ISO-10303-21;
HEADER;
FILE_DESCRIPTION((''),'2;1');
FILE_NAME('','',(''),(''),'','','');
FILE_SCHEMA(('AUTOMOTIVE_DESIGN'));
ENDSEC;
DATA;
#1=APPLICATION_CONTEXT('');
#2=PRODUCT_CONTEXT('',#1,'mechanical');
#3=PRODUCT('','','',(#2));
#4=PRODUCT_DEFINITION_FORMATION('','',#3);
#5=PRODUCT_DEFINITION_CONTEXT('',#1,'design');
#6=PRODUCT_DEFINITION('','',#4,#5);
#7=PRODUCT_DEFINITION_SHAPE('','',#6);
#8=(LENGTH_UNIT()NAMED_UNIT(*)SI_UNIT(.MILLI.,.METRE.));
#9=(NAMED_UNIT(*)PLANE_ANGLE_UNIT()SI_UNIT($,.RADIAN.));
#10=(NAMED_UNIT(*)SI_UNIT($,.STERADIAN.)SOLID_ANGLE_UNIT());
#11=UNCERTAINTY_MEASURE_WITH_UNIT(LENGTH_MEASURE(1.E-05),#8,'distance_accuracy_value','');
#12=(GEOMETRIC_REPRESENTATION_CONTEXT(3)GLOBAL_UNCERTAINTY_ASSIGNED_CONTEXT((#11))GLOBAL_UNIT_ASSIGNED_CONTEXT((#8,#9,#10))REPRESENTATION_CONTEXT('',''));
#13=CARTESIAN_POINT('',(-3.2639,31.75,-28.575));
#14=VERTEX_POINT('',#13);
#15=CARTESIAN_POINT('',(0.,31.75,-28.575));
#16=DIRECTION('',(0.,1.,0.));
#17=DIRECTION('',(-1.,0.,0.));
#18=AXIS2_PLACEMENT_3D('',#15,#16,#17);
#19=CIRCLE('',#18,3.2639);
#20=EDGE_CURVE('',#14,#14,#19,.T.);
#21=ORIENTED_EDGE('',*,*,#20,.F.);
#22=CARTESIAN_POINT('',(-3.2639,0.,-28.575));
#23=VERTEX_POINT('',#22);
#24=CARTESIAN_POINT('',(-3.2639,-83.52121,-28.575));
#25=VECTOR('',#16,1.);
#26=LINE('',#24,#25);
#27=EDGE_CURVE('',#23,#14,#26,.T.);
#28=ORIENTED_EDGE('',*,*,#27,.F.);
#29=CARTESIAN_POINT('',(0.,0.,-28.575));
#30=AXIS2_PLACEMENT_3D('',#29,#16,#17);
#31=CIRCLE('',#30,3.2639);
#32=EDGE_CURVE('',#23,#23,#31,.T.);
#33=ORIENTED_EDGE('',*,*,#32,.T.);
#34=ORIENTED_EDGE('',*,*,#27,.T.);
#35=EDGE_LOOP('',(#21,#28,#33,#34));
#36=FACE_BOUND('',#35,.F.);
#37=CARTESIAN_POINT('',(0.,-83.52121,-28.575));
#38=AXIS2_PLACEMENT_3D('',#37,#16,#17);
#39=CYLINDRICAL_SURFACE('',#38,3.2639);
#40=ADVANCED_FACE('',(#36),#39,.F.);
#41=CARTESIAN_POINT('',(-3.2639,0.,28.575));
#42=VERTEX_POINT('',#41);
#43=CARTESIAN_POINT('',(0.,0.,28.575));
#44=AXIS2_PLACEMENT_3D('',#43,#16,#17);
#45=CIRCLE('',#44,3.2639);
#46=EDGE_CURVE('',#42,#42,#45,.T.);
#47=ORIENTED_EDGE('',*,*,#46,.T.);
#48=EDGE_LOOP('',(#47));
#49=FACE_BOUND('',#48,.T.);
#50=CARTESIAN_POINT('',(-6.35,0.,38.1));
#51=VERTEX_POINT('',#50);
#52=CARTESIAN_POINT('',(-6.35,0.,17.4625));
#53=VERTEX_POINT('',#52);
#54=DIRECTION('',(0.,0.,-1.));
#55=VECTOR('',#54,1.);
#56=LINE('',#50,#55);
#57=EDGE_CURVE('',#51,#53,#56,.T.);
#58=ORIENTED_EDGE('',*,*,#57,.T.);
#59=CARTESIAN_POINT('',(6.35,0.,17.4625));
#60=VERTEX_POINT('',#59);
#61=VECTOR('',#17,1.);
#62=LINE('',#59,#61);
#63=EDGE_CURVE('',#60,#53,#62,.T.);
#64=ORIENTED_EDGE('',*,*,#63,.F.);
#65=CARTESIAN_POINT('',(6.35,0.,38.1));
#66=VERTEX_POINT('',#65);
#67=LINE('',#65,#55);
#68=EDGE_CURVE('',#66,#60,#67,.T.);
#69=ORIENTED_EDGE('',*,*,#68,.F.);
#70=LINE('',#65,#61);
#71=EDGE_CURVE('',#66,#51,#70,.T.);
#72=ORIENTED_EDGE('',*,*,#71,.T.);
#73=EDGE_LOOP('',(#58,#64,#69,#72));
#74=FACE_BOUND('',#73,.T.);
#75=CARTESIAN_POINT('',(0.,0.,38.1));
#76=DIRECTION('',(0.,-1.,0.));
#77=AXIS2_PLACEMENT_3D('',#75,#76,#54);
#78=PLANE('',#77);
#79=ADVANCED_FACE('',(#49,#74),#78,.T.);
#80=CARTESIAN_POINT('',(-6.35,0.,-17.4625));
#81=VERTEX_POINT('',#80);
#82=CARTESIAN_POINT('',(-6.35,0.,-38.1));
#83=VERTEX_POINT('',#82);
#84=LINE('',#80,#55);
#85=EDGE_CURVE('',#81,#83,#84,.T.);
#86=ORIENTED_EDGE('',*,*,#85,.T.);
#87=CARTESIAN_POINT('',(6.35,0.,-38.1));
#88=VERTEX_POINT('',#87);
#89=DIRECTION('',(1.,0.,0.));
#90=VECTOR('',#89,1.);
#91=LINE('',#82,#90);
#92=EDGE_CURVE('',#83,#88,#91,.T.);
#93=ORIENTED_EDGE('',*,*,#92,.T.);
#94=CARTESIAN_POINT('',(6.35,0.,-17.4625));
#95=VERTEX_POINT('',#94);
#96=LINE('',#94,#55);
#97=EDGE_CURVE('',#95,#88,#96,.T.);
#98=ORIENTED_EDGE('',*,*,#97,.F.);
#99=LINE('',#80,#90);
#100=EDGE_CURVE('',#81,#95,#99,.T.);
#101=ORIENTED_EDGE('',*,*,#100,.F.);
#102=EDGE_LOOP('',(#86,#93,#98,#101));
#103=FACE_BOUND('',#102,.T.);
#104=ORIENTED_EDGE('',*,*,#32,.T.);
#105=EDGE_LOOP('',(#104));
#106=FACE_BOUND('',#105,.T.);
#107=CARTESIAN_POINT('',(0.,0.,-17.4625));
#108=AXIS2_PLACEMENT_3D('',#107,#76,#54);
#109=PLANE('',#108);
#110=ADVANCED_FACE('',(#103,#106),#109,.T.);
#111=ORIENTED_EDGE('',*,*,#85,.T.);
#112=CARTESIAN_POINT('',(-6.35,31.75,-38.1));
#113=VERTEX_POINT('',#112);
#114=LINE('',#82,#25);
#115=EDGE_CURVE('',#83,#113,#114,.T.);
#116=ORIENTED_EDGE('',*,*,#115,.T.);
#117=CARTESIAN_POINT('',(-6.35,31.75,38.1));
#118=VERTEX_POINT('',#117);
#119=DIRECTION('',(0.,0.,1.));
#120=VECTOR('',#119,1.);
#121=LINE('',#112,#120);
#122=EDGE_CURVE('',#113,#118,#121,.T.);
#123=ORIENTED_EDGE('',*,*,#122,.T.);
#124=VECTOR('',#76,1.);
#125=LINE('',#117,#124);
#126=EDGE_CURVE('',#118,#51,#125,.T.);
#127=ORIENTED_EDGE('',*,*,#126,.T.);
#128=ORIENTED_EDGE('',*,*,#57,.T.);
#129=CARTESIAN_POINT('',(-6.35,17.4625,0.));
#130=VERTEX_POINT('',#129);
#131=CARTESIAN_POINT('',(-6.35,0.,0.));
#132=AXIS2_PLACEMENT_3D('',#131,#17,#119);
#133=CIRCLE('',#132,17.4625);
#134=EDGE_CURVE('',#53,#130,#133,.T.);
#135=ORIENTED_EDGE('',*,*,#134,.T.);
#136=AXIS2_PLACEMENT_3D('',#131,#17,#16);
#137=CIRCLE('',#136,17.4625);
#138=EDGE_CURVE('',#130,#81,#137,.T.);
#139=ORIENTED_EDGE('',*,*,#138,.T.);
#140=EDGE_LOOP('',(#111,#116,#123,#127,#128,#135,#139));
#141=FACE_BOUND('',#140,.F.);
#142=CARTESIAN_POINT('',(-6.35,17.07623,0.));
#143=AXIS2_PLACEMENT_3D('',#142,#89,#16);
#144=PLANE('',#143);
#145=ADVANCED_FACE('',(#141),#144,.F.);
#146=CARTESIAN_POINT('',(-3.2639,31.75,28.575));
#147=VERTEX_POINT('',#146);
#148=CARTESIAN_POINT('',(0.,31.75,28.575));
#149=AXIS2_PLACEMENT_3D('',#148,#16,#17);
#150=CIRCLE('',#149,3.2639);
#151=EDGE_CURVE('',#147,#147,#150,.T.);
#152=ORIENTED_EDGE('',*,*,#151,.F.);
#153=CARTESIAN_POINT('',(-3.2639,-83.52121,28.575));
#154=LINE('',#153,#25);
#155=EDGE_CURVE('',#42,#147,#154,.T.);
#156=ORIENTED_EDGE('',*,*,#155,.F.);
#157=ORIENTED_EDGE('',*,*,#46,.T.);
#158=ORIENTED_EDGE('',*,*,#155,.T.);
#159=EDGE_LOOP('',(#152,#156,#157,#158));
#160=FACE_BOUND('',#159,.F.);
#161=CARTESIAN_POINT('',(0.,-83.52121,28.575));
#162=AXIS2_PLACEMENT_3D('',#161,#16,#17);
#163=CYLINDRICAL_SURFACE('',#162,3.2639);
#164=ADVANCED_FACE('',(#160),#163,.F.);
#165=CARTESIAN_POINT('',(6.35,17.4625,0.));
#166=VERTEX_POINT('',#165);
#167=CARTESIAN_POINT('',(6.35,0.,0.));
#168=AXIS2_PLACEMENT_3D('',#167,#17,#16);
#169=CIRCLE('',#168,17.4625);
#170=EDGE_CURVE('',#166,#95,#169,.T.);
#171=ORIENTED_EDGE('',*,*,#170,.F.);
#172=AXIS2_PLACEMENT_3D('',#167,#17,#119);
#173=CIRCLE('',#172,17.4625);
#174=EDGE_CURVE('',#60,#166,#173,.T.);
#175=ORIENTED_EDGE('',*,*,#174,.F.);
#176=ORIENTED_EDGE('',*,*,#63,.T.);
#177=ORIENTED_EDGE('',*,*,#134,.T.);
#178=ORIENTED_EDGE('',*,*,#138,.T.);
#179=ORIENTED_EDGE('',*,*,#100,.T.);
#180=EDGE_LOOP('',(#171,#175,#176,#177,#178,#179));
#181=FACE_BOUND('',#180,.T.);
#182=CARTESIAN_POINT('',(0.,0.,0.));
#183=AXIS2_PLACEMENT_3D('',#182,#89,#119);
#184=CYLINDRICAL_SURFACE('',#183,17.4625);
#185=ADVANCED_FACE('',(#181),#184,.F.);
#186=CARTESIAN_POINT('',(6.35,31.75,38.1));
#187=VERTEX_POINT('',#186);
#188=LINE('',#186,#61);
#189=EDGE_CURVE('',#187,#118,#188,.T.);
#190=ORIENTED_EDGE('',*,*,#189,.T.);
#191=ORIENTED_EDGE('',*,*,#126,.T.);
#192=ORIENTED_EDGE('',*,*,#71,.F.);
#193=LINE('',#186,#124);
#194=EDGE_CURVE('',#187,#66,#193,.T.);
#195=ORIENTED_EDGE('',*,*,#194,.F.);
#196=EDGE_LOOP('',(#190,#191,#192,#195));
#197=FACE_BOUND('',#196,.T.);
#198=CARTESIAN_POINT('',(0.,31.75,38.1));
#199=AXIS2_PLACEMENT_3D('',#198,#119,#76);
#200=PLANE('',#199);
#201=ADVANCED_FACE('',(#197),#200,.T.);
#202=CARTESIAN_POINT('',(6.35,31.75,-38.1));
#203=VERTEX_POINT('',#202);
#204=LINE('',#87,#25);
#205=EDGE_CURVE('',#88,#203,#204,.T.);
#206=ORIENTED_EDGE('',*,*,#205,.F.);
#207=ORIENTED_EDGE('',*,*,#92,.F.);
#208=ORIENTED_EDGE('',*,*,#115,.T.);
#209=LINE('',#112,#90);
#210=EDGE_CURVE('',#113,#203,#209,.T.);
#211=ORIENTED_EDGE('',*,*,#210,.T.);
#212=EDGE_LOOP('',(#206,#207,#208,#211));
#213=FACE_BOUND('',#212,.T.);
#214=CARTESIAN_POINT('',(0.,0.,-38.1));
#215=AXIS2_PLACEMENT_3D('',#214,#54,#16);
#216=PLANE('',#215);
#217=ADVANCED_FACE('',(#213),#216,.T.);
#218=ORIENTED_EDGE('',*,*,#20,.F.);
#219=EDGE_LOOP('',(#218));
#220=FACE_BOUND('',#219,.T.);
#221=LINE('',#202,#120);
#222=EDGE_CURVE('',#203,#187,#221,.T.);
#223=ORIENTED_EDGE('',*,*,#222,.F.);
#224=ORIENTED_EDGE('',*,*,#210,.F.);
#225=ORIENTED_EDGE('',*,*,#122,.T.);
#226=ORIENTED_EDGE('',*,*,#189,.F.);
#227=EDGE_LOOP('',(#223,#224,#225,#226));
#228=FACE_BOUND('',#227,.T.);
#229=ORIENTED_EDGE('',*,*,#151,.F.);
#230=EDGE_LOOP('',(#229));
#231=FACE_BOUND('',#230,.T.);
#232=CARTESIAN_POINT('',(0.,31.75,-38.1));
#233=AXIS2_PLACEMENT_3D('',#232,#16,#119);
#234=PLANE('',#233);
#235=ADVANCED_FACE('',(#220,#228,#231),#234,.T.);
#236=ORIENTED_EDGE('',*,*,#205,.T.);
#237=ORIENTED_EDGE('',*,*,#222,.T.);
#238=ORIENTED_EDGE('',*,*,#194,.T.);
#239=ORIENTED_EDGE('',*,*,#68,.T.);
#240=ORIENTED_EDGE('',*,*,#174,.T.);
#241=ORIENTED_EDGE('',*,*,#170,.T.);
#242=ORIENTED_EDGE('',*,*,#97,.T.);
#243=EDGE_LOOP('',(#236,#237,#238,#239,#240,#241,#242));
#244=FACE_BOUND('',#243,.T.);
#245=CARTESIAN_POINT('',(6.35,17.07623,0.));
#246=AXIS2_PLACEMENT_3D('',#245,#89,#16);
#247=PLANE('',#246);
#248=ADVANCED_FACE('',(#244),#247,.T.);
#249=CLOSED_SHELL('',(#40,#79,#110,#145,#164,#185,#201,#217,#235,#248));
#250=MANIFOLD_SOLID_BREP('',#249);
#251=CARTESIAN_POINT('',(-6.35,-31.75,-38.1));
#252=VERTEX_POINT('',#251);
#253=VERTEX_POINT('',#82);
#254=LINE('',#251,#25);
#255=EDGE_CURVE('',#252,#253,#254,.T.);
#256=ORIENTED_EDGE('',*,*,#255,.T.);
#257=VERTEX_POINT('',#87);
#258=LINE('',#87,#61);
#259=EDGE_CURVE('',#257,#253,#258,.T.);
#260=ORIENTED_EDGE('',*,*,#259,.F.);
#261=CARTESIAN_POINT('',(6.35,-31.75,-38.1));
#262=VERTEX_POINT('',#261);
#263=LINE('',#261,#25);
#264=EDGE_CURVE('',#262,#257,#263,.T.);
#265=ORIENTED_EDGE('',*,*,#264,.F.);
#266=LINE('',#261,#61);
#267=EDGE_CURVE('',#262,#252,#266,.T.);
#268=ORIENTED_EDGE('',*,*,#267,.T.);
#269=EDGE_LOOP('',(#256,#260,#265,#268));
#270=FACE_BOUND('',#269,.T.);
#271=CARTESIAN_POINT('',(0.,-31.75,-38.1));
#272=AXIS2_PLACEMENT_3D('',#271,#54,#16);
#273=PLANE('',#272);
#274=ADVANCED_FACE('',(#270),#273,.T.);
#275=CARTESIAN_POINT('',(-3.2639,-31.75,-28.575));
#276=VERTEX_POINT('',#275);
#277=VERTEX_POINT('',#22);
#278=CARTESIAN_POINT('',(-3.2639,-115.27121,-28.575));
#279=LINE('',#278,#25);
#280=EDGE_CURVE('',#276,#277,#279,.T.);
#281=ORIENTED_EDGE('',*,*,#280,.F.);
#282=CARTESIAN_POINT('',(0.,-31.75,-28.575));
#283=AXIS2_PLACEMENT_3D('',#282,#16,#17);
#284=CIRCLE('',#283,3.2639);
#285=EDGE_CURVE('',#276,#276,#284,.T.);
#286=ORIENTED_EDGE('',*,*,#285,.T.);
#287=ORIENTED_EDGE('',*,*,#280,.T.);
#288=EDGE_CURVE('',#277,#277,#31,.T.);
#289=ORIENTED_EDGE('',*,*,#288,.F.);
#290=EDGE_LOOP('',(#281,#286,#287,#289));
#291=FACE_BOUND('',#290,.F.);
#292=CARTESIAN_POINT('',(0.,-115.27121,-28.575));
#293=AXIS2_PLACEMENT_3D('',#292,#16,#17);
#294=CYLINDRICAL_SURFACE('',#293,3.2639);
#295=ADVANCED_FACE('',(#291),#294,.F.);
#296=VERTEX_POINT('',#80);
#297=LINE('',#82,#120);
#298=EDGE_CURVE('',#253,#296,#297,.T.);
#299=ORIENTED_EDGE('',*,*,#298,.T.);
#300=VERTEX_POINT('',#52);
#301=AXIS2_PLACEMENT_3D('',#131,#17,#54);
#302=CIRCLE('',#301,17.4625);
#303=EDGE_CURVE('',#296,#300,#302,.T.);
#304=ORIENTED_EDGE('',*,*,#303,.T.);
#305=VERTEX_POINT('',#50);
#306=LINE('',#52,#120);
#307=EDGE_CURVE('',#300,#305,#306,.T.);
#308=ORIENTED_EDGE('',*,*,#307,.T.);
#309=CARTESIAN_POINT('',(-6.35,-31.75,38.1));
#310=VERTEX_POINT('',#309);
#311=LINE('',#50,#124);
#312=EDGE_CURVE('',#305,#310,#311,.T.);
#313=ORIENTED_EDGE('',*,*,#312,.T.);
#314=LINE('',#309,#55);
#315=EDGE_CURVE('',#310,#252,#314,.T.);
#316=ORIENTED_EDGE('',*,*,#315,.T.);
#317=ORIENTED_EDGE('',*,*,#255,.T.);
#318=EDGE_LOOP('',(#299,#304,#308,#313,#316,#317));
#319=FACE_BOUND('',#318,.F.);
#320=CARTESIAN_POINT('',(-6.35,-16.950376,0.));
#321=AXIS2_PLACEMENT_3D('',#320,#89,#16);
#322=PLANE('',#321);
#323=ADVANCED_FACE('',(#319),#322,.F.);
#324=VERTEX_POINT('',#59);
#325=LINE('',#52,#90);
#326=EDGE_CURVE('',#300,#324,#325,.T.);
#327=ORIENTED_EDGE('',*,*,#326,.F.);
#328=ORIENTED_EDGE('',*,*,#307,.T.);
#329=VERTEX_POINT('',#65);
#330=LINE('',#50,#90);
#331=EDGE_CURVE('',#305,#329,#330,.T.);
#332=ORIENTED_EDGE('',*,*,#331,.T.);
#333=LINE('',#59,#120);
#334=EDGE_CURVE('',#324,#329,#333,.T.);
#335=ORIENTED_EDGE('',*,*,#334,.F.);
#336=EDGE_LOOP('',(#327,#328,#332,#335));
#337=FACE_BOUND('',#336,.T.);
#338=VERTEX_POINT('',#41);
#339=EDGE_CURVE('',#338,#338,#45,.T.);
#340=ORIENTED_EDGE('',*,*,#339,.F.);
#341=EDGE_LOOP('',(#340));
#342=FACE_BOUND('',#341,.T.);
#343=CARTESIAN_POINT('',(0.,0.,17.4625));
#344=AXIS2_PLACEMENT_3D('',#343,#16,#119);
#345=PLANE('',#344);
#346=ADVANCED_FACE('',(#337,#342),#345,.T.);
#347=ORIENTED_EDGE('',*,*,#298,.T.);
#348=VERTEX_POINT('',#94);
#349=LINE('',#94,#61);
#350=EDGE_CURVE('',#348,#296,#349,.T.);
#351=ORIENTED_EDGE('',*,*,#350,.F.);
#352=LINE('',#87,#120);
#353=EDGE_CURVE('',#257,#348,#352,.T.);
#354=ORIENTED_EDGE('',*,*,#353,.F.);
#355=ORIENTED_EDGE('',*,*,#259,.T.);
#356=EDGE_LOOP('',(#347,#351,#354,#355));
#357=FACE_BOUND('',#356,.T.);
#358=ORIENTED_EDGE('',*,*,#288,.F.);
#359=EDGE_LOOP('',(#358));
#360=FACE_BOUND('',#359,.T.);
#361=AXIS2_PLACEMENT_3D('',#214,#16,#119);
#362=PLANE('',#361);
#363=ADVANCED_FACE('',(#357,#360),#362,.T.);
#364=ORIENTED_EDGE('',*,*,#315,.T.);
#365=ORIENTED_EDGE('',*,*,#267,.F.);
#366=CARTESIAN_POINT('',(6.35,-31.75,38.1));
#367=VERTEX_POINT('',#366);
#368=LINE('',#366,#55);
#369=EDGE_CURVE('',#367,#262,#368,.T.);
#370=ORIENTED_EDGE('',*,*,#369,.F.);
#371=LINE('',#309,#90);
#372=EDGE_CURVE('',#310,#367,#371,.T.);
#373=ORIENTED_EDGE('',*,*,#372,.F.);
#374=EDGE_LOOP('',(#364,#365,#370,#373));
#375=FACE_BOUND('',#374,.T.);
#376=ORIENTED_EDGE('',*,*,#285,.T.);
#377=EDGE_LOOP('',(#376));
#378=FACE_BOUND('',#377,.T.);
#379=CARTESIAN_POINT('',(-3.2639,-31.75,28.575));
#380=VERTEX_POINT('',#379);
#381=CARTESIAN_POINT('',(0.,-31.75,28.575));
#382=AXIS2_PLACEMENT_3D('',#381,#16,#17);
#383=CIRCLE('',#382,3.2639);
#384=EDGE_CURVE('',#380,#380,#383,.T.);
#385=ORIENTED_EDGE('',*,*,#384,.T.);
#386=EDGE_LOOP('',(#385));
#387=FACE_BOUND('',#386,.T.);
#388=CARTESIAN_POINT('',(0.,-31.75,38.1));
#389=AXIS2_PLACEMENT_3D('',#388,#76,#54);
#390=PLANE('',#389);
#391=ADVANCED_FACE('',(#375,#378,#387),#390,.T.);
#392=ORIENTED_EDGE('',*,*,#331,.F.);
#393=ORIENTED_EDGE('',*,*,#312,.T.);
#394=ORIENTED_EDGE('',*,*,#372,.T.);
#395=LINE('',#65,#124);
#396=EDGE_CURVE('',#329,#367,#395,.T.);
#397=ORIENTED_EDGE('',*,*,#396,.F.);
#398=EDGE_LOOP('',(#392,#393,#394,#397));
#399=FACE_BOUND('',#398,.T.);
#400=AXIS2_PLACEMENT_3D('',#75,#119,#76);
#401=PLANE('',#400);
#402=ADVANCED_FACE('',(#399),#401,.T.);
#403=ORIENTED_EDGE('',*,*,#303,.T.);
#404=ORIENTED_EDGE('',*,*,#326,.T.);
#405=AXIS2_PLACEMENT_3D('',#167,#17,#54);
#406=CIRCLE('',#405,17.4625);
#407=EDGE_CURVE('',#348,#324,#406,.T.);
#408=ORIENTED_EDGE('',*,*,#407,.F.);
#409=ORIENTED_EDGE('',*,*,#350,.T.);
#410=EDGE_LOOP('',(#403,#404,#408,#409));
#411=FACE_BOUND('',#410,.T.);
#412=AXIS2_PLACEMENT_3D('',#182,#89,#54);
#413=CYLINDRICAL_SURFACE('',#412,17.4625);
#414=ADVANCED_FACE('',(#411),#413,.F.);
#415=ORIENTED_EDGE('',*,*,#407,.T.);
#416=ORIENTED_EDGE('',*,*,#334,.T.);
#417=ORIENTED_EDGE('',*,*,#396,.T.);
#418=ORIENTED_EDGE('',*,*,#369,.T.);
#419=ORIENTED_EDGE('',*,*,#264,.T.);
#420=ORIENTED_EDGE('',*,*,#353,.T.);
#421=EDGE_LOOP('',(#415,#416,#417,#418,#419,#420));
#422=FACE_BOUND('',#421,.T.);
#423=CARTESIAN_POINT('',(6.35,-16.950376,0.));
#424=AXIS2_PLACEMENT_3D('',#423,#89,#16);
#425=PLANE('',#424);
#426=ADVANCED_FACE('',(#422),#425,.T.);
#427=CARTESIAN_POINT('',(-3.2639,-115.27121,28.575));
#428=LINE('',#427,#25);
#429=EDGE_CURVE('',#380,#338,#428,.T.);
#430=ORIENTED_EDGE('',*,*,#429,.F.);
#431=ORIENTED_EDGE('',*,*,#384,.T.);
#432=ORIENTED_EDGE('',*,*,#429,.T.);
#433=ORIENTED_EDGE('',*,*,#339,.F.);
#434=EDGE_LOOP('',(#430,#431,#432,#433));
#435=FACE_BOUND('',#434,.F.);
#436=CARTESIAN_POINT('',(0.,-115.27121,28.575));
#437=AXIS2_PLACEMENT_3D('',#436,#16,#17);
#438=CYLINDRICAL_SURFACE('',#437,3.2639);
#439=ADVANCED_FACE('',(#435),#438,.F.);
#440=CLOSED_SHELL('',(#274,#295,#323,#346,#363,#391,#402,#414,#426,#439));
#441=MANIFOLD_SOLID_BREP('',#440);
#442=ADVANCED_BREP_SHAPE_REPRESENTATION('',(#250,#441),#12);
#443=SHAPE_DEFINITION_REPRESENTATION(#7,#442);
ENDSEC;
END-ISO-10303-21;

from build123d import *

# Parameters (mm, degrees)
F1_DEPTH = 6.35
F3_D     = 6.5278
F4_DEPTH = 6.35
F6_D     = 6.5278


with BuildPart() as f1:
    # F0 (on Right) → F1 (new body, symmetric)
    with BuildSketch(Plane.YZ):
        with BuildLine():
            ThreePointArc((0, 17.4625), (12.3478521665, 12.3478521665), (17.4625, 0))
            ThreePointArc((17.4625, 0), (12.3478521665, -12.3478521665), (0, -17.4625))
            Line((0, -17.4625), (0, -38.1))
            Line((0, -38.1), (31.75, -38.1))
            Line((31.75, -38.1), (31.75, 38.1))
            Line((31.75, 38.1), (0, 38.1))
            Line((0, 38.1), (0, 17.4625))
        make_face()
    extrude(amount=F1_DEPTH, both=True)

    # F3 (through all)
    with Locations(Plane.XZ):
        with Locations((0, 28.575), (0, -28.575)):
            Hole(F3_D / 2)


with BuildPart() as f4:
    # F0 (on Right) → F4 (new body, symmetric)
    with BuildSketch(Plane.YZ):
        with BuildLine():
            ThreePointArc((0, -17.4625), (-17.4625, 0), (0, 17.4625))
            Line((0, 17.4625), (0, 38.1))
            Line((0, 38.1), (-31.75, 38.1))
            Line((-31.75, 38.1), (-31.75, -38.1))
            Line((-31.75, -38.1), (0, -38.1))
            Line((0, -38.1), (0, -17.4625))
        make_face()
    extrude(amount=F4_DEPTH, both=True)

    # F6 (through all)
    with Locations(Plane.XZ.offset(31.75)):
        with Locations((0, 28.575), (0, -28.575)):
            Hole(F6_D / 2)


solid = Compound([f1.part, f4.part])
